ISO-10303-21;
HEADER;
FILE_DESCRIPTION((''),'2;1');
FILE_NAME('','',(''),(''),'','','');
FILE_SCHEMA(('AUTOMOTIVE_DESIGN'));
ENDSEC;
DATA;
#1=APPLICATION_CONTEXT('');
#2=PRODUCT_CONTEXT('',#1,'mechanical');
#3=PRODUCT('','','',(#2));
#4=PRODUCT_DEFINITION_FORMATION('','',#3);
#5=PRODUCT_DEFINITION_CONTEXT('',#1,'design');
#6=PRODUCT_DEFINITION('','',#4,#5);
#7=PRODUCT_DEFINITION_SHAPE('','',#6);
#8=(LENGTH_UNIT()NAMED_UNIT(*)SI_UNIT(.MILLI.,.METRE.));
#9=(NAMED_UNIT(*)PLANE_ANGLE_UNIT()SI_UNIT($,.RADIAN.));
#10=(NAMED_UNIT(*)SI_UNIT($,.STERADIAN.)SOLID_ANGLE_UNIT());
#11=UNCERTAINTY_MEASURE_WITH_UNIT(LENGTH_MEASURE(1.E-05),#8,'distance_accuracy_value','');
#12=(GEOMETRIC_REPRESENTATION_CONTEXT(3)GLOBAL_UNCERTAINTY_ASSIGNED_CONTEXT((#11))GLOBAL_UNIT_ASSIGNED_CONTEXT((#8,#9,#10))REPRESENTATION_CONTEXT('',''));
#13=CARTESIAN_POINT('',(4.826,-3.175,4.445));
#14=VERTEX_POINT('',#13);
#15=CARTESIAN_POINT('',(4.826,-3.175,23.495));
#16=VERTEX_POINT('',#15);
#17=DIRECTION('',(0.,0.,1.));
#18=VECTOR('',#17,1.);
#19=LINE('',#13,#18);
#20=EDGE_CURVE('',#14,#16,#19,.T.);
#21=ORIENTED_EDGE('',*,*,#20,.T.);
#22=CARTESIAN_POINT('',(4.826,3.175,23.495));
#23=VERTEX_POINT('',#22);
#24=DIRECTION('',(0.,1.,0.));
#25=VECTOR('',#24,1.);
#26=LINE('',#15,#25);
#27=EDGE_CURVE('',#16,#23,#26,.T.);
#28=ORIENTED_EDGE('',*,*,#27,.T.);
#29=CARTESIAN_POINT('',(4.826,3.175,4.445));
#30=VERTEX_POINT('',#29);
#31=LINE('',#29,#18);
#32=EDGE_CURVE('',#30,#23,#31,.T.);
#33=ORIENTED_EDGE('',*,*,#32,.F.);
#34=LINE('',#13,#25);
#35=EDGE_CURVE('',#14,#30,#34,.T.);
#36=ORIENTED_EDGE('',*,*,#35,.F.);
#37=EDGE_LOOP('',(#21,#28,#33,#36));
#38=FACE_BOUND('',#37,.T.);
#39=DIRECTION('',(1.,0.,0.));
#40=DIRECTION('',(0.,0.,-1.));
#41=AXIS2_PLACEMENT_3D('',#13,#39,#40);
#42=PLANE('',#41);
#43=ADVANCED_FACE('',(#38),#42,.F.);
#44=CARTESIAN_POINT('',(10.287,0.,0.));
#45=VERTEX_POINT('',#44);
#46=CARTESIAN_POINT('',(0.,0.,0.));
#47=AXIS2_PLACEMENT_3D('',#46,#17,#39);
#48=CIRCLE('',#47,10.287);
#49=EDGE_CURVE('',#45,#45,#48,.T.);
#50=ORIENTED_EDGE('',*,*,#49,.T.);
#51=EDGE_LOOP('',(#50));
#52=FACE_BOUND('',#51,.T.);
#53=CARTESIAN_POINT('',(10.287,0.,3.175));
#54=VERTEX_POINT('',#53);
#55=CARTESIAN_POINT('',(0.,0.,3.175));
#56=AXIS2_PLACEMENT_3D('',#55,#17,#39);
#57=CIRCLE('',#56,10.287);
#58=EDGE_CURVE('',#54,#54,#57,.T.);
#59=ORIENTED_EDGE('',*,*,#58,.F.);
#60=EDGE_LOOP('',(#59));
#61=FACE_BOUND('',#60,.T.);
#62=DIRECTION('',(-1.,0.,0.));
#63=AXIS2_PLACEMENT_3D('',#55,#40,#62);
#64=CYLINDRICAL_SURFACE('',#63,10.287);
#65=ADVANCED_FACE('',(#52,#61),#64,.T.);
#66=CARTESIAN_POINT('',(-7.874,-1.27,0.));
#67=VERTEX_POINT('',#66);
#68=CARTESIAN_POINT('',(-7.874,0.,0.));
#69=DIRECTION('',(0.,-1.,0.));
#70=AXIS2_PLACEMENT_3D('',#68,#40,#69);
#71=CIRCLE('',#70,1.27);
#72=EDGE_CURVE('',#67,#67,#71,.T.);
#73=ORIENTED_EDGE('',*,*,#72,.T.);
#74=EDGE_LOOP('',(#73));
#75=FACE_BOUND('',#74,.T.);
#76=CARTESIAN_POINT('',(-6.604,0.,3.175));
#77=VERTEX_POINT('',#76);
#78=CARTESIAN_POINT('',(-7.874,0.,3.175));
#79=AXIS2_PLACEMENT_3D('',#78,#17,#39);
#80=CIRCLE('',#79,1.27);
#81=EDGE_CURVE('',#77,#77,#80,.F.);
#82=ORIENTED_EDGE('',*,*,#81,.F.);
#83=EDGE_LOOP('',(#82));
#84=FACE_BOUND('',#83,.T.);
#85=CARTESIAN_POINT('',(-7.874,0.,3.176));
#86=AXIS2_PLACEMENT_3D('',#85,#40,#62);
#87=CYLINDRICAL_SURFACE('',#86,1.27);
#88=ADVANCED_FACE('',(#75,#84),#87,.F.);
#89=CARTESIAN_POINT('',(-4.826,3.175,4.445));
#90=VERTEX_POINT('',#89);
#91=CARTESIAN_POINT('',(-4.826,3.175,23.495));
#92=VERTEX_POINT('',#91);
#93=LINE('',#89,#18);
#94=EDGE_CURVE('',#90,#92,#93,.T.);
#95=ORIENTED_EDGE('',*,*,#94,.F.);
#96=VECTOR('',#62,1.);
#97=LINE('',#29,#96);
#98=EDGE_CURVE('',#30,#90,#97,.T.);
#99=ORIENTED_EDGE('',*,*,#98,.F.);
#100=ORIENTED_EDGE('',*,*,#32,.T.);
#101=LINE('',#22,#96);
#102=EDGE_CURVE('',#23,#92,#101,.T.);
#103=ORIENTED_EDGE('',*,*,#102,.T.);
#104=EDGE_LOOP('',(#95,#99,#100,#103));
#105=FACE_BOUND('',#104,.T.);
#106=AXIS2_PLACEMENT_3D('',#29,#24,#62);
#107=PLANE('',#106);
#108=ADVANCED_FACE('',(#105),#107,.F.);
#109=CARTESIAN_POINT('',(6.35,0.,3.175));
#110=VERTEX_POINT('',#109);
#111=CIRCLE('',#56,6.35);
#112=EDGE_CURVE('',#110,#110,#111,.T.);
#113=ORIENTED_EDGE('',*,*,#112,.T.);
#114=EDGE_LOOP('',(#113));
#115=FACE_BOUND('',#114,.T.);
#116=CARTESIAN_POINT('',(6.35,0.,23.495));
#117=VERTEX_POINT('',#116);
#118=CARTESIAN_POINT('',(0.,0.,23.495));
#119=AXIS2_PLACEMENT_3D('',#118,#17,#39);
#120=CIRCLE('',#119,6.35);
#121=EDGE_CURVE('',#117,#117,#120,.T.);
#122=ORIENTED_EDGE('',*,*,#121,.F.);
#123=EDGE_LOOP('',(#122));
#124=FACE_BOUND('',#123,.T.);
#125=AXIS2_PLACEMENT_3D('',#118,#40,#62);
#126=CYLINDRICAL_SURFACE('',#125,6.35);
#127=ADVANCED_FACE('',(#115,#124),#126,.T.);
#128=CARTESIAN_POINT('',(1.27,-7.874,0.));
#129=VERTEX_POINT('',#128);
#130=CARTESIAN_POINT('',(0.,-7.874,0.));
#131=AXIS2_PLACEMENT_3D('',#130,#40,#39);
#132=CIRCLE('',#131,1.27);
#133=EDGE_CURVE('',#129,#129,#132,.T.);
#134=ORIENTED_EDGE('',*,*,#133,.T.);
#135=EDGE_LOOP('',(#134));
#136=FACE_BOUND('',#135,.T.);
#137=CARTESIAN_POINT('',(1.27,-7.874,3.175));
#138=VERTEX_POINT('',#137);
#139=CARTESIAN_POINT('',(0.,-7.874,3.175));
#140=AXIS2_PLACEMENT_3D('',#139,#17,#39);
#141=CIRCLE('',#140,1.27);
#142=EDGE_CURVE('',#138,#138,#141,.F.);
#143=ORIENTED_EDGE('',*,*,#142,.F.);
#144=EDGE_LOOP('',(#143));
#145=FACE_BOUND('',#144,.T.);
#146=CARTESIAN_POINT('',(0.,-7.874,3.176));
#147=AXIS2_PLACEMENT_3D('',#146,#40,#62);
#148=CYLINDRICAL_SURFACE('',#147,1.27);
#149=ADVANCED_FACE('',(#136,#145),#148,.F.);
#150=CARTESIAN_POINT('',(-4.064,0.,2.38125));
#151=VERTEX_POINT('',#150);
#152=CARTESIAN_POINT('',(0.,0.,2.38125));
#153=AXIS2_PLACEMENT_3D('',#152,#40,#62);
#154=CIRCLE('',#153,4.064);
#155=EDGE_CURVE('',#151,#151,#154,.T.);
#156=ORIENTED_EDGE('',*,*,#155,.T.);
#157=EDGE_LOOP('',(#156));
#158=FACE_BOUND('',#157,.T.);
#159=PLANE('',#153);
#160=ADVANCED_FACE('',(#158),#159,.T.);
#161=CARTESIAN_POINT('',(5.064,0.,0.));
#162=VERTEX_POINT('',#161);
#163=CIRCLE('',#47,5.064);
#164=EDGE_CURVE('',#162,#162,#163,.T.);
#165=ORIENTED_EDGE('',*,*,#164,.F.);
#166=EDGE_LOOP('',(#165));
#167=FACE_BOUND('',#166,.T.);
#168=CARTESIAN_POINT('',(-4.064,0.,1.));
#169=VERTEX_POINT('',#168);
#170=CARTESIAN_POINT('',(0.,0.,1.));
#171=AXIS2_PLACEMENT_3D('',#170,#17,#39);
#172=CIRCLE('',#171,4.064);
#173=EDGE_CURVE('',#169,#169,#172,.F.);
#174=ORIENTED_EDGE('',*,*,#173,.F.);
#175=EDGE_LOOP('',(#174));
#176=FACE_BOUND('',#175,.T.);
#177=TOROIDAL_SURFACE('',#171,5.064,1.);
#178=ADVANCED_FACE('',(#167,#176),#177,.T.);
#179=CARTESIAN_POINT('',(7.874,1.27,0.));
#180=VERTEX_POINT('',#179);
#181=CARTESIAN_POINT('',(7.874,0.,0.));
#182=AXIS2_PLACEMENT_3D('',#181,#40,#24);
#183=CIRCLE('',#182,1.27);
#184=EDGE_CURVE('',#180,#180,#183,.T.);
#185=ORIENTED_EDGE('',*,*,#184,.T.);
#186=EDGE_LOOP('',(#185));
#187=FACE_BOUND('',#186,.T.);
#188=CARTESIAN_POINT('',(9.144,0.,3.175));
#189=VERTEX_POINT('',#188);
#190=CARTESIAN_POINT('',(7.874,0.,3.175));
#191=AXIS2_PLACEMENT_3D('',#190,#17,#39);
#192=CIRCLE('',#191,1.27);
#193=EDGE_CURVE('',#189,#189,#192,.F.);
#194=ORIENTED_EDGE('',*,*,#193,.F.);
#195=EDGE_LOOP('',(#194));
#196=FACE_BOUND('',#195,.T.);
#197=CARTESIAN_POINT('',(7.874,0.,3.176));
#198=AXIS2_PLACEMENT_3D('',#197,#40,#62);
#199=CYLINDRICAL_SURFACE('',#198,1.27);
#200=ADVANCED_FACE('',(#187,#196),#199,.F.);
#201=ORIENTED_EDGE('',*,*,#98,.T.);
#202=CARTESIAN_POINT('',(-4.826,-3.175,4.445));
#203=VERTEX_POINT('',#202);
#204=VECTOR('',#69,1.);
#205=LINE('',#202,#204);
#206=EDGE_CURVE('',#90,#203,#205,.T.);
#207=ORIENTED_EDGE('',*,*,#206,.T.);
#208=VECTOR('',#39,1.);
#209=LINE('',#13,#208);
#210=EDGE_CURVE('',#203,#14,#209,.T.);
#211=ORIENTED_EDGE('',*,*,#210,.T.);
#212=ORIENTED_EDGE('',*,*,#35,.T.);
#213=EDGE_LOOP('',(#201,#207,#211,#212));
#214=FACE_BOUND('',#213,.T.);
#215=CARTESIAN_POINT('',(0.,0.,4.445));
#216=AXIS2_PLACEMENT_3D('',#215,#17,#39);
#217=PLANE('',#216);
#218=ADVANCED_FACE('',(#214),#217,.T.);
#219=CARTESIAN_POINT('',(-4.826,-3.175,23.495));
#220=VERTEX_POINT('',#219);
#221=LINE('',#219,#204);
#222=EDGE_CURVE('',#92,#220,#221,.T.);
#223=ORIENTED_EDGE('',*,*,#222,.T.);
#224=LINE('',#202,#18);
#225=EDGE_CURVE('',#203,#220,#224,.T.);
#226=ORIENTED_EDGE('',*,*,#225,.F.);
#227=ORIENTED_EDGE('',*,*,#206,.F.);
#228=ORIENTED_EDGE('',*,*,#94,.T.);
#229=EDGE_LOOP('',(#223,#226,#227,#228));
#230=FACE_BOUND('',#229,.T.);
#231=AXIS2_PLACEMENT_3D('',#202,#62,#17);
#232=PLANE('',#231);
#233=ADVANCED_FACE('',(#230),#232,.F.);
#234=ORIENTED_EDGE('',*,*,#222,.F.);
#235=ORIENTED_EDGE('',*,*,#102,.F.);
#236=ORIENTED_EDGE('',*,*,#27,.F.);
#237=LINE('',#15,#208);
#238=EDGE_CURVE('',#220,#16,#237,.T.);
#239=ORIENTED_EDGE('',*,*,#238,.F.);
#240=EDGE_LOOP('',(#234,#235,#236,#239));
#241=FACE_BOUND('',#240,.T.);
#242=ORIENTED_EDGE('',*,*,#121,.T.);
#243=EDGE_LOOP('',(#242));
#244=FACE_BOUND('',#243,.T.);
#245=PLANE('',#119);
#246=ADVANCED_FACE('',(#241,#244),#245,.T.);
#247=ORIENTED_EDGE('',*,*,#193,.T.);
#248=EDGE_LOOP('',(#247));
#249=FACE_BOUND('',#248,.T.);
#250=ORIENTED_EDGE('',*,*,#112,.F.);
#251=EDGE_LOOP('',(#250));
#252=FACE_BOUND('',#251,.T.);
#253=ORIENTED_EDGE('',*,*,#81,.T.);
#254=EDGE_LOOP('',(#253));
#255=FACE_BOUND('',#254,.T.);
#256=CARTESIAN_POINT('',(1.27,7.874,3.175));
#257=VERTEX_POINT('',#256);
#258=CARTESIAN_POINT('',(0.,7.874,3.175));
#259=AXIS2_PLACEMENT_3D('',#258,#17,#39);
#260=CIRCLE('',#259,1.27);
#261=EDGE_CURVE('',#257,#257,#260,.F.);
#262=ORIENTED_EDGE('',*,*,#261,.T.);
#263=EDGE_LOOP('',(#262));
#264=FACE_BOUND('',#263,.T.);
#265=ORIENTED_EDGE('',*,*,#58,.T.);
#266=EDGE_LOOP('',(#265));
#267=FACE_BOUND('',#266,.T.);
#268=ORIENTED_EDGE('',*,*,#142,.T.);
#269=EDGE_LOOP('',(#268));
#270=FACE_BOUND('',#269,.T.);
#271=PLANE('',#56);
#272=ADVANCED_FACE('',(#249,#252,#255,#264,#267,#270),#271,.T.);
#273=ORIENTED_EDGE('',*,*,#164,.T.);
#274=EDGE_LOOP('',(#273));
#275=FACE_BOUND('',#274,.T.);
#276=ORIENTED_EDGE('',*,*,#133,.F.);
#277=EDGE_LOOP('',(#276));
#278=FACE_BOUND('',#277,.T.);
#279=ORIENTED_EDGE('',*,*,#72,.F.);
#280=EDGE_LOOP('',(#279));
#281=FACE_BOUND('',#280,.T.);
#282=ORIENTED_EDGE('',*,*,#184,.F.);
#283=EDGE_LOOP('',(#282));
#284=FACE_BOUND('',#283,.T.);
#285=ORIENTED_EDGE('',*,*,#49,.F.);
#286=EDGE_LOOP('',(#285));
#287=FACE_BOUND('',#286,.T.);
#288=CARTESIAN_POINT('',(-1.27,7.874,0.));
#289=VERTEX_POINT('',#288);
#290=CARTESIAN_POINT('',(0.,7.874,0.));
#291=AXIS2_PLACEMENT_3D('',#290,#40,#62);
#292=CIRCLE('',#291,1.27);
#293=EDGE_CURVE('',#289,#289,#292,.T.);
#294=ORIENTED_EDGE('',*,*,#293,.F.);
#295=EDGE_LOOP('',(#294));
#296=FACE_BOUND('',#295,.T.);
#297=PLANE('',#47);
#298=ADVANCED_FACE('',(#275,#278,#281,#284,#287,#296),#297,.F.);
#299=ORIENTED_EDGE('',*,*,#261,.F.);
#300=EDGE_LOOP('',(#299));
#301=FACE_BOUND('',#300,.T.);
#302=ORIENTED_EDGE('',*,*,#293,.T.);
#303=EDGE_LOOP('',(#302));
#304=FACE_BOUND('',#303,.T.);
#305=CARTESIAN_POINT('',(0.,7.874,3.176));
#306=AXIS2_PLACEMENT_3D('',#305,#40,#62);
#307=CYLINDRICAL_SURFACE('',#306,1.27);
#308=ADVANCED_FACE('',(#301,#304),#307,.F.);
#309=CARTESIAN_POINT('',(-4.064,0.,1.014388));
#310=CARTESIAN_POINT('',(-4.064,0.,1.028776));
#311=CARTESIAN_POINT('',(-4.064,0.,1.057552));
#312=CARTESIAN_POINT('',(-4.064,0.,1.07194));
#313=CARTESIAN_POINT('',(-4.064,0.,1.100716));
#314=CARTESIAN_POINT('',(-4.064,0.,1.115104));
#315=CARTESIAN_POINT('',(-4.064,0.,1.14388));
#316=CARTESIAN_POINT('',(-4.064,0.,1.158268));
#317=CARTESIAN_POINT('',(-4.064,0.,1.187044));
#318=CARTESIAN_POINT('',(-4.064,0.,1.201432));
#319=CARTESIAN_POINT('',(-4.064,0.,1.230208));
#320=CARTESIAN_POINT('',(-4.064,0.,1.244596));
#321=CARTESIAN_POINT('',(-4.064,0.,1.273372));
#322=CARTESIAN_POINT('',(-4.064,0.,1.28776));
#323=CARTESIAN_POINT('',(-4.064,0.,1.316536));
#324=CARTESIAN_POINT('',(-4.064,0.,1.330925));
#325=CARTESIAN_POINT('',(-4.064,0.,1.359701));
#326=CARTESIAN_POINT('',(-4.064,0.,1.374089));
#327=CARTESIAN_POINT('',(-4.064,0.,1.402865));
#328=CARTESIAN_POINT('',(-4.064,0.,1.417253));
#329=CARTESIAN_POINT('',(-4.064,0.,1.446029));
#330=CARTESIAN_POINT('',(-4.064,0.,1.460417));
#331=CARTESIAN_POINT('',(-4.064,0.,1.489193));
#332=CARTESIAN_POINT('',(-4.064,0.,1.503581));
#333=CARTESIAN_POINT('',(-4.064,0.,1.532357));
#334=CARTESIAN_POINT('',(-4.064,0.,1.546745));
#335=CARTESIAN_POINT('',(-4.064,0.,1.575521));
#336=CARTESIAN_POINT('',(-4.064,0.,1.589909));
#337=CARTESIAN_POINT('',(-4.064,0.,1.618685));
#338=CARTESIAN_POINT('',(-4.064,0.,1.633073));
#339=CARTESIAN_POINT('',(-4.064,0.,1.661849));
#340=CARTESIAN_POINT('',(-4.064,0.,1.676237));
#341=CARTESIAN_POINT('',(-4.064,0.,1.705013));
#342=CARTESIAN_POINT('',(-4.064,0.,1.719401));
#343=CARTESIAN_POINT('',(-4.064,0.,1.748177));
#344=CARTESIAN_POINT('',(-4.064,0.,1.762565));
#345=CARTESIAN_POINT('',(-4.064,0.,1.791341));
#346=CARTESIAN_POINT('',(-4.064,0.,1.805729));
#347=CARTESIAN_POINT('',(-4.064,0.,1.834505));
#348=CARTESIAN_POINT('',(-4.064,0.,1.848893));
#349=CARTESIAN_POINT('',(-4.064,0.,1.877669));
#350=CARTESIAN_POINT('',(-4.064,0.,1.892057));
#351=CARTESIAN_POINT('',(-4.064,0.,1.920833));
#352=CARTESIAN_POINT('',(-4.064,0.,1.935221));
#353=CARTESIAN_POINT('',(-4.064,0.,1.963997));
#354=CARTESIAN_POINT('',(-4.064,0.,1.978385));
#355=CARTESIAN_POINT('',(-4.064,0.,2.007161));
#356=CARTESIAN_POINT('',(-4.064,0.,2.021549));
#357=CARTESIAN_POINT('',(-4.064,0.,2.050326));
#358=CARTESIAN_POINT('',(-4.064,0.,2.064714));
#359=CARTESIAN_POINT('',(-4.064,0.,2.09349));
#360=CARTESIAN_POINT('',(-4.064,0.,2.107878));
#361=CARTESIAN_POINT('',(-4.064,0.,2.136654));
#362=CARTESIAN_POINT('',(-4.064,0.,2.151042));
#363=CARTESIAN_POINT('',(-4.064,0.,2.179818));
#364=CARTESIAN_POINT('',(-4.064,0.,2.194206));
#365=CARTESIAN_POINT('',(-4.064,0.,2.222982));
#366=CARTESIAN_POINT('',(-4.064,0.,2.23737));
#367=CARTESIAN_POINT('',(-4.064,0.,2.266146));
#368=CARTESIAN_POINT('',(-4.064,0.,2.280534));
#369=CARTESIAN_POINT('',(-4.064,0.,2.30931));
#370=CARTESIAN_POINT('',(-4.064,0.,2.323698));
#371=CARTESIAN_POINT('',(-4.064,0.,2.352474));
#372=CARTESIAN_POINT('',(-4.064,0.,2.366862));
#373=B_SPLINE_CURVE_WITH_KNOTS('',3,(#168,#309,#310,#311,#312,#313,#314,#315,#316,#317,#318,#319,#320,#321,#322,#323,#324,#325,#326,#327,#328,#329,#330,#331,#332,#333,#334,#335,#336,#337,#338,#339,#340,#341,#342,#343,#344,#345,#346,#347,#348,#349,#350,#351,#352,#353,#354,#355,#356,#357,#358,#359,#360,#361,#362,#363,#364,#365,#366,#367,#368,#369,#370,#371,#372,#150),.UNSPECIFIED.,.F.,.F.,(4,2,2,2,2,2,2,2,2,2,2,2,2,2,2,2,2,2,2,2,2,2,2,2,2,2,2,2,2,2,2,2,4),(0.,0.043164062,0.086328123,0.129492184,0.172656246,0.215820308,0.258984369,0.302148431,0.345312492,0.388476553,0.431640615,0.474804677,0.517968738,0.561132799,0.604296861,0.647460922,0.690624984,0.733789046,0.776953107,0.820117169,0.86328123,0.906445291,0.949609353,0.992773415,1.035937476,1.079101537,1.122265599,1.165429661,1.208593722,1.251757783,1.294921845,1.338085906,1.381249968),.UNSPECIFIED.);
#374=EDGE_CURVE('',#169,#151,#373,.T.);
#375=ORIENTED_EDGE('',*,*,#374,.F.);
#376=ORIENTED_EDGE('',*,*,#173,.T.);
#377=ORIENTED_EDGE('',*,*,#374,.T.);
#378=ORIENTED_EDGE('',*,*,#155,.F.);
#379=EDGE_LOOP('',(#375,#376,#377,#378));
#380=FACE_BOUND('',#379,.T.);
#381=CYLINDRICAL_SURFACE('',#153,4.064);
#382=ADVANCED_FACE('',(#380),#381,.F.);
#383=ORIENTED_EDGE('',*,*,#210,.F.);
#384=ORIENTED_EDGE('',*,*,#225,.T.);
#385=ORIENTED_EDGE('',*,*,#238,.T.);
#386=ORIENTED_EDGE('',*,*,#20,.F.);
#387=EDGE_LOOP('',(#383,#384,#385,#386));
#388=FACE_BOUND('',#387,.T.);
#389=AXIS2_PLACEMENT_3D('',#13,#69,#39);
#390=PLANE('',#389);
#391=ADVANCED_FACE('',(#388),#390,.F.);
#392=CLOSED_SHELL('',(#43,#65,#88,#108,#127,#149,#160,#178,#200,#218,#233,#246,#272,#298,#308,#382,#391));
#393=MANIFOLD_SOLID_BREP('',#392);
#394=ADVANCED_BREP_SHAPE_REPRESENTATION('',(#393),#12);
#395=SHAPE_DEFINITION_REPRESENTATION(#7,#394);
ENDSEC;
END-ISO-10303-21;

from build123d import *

# Parameters (mm, degrees)
SKETCH1_R           = 10.287
BOSS_EXTRUDE1_DEPTH = 3.175
SKETCH3_R           = 4.064
CUT_EXTRUDE1_DEPTH  = 2.38125
FILLET1_R           = 1.000000032
CUT_EXTRUDE2_REACH  = 16.89
SKETCH4_R           = 1.27
CIRPATTERN1_COUNT   = 4
SKETCH5_R           = 6.35
BOSS_EXTRUDE2_DEPTH = 20.32
SKETCH6_W           = 9.652
SKETCH6_H           = 6.35
CUT_EXTRUDE3_DEPTH  = 19.05


with BuildPart() as part:
    # Sketch1 → Boss-Extrude1 (new body)
    with BuildSketch(Plane.XY):
        Circle(SKETCH1_R)
    extrude(amount=BOSS_EXTRUDE1_DEPTH)

    # Sketch3 → Cut-Extrude1 (cut)
    with BuildSketch(Plane(origin=(0, 0, 0), x_dir=(-1, 0, 0), z_dir=(0, 0, -1))):
        Circle(SKETCH3_R)
    extrude(amount=-CUT_EXTRUDE1_DEPTH, mode=Mode.SUBTRACT)

    # Fillet1
    fillet1_edges = [part.edges().sort_by_distance(p)[0] for p in [
        (4.064, 0, 0),
    ]]
    fillet(fillet1_edges, radius=FILLET1_R)

    # Sketch4 → Cut-Extrude2 (cut, up to next)
    with BuildSketch(Plane(origin=(0, 0, 0), x_dir=(-1, 0, 0), z_dir=(0, 0, -1)), mode=Mode.PRIVATE) as cut_extrude2_sk1:
        with Locations((0, 7.874)):
            Circle(SKETCH4_R)
    cut_extrude2_tool1 = extrude(cut_extrude2_sk1.sketch, amount=-CUT_EXTRUDE2_REACH, mode=Mode.PRIVATE) & part.part
    cut_extrude2 = cut_extrude2_tool1.solids().sort_by_distance((0, 7.874, 0))[0]
    add(cut_extrude2, mode=Mode.SUBTRACT)

    # CirPattern1: Cut-Extrude2 ×4 about axis
    cirpattern1_axis = Axis((0, 0, 0), (0, 0, 1))
    for i in range(1, CIRPATTERN1_COUNT):
        add(cut_extrude2.rotate(cirpattern1_axis, i * 360 / CIRPATTERN1_COUNT), mode=Mode.SUBTRACT)

    # Sketch5 → Boss-Extrude2 (add)
    with BuildSketch(Plane.XY.offset(3.175)):
        Circle(SKETCH5_R)
    extrude(amount=BOSS_EXTRUDE2_DEPTH)

    # Sketch6 → Cut-Extrude3 (cut)
    with BuildSketch(Plane.XY.offset(23.495)):
        Rectangle(SKETCH6_W, SKETCH6_H)
    extrude(amount=-CUT_EXTRUDE3_DEPTH, mode=Mode.SUBTRACT)


solid = part.part
